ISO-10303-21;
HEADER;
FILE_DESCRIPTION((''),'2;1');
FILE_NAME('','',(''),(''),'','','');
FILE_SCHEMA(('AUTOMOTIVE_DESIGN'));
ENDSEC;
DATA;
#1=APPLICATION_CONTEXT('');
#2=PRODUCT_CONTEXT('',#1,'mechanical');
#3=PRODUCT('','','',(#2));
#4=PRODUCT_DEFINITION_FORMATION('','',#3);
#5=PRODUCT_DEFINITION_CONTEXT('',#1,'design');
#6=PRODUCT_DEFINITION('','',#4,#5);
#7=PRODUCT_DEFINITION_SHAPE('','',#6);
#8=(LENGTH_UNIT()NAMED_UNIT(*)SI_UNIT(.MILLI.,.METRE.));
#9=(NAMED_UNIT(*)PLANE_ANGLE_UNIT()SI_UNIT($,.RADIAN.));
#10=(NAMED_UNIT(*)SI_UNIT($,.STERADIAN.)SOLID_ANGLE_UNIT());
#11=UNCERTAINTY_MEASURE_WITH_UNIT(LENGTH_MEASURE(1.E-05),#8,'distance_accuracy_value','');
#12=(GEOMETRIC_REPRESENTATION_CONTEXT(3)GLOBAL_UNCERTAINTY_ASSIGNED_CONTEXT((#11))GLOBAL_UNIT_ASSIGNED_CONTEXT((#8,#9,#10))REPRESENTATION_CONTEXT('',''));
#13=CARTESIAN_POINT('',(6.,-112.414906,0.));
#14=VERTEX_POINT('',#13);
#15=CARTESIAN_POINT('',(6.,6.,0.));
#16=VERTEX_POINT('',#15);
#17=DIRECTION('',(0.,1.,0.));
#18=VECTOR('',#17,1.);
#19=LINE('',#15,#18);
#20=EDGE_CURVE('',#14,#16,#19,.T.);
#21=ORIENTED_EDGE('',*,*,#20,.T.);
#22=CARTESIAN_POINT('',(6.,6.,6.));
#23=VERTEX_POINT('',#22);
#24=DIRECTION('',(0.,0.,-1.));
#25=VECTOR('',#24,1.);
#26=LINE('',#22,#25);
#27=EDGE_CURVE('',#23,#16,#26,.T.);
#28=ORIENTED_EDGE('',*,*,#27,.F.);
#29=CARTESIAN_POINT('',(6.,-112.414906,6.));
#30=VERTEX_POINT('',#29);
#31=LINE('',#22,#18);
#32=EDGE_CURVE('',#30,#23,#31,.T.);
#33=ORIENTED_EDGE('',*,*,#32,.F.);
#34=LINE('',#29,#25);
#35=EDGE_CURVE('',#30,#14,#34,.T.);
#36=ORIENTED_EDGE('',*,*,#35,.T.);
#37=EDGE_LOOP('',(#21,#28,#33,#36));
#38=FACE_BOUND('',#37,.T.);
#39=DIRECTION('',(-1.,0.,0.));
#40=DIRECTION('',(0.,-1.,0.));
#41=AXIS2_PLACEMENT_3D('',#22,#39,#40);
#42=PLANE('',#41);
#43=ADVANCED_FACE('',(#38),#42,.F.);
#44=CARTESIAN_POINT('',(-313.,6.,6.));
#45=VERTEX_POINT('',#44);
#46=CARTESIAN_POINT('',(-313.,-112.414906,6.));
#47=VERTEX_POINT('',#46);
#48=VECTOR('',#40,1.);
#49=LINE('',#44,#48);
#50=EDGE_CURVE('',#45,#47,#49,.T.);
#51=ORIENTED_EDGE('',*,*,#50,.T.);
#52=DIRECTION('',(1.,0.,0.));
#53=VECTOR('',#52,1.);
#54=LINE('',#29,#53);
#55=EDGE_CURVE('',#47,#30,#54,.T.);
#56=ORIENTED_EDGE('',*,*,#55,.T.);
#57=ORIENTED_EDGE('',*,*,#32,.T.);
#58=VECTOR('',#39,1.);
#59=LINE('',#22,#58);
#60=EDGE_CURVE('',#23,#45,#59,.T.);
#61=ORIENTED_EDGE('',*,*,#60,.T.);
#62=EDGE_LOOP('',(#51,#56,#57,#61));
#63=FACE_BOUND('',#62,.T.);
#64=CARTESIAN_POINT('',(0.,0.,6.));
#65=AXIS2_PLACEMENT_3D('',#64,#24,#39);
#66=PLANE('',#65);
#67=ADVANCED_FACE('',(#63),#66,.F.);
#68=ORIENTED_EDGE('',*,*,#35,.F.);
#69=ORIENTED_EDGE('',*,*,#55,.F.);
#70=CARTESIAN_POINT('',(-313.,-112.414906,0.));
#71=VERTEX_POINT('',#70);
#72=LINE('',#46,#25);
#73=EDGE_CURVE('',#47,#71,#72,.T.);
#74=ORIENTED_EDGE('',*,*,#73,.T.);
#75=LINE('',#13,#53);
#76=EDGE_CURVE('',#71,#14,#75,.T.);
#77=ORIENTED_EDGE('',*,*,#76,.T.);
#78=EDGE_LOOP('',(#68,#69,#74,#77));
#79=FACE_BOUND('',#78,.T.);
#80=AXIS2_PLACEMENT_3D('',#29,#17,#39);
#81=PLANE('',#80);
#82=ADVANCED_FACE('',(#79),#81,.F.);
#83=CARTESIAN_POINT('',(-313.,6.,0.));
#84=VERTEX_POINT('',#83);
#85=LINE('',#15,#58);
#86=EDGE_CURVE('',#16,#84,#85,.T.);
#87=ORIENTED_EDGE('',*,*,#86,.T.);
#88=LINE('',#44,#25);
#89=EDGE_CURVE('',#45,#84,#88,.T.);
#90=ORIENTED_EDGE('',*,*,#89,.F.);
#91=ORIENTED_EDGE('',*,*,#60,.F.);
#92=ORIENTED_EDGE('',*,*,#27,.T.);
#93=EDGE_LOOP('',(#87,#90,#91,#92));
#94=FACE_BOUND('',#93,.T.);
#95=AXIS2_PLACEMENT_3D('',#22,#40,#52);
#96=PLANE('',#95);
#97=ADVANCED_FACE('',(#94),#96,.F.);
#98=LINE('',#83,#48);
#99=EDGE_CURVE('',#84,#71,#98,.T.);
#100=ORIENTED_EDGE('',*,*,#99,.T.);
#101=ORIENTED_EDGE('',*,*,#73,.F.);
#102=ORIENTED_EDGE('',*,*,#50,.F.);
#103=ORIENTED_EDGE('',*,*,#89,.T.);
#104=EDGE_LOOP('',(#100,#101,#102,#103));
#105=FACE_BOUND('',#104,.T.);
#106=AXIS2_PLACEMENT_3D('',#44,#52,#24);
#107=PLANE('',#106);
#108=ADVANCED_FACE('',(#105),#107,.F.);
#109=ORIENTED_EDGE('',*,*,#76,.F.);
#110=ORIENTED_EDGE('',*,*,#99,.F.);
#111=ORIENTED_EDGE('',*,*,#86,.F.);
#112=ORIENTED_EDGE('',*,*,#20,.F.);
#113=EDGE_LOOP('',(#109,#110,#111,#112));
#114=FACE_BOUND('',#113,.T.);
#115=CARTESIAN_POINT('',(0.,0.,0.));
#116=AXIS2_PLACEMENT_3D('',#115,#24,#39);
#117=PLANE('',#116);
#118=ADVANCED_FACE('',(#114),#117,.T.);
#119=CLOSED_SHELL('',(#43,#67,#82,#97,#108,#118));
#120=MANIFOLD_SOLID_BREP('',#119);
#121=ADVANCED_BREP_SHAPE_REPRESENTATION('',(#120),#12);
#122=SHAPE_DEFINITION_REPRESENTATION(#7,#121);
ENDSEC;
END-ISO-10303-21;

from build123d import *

# Parameters (mm, degrees)
ESQUISSE1_W        = 319
ESQUISSE1_H        = 118.414906094
BOSS_EXTRU_1_DEPTH = 6


with BuildPart() as part:
    # Esquisse1 → Boss.-Extru.1 (new body)
    with BuildSketch(Plane.XY):
        with Locations((-153.5, -53.207453047)):
            Rectangle(ESQUISSE1_W, ESQUISSE1_H)
    extrude(amount=BOSS_EXTRU_1_DEPTH)


solid = part.part
